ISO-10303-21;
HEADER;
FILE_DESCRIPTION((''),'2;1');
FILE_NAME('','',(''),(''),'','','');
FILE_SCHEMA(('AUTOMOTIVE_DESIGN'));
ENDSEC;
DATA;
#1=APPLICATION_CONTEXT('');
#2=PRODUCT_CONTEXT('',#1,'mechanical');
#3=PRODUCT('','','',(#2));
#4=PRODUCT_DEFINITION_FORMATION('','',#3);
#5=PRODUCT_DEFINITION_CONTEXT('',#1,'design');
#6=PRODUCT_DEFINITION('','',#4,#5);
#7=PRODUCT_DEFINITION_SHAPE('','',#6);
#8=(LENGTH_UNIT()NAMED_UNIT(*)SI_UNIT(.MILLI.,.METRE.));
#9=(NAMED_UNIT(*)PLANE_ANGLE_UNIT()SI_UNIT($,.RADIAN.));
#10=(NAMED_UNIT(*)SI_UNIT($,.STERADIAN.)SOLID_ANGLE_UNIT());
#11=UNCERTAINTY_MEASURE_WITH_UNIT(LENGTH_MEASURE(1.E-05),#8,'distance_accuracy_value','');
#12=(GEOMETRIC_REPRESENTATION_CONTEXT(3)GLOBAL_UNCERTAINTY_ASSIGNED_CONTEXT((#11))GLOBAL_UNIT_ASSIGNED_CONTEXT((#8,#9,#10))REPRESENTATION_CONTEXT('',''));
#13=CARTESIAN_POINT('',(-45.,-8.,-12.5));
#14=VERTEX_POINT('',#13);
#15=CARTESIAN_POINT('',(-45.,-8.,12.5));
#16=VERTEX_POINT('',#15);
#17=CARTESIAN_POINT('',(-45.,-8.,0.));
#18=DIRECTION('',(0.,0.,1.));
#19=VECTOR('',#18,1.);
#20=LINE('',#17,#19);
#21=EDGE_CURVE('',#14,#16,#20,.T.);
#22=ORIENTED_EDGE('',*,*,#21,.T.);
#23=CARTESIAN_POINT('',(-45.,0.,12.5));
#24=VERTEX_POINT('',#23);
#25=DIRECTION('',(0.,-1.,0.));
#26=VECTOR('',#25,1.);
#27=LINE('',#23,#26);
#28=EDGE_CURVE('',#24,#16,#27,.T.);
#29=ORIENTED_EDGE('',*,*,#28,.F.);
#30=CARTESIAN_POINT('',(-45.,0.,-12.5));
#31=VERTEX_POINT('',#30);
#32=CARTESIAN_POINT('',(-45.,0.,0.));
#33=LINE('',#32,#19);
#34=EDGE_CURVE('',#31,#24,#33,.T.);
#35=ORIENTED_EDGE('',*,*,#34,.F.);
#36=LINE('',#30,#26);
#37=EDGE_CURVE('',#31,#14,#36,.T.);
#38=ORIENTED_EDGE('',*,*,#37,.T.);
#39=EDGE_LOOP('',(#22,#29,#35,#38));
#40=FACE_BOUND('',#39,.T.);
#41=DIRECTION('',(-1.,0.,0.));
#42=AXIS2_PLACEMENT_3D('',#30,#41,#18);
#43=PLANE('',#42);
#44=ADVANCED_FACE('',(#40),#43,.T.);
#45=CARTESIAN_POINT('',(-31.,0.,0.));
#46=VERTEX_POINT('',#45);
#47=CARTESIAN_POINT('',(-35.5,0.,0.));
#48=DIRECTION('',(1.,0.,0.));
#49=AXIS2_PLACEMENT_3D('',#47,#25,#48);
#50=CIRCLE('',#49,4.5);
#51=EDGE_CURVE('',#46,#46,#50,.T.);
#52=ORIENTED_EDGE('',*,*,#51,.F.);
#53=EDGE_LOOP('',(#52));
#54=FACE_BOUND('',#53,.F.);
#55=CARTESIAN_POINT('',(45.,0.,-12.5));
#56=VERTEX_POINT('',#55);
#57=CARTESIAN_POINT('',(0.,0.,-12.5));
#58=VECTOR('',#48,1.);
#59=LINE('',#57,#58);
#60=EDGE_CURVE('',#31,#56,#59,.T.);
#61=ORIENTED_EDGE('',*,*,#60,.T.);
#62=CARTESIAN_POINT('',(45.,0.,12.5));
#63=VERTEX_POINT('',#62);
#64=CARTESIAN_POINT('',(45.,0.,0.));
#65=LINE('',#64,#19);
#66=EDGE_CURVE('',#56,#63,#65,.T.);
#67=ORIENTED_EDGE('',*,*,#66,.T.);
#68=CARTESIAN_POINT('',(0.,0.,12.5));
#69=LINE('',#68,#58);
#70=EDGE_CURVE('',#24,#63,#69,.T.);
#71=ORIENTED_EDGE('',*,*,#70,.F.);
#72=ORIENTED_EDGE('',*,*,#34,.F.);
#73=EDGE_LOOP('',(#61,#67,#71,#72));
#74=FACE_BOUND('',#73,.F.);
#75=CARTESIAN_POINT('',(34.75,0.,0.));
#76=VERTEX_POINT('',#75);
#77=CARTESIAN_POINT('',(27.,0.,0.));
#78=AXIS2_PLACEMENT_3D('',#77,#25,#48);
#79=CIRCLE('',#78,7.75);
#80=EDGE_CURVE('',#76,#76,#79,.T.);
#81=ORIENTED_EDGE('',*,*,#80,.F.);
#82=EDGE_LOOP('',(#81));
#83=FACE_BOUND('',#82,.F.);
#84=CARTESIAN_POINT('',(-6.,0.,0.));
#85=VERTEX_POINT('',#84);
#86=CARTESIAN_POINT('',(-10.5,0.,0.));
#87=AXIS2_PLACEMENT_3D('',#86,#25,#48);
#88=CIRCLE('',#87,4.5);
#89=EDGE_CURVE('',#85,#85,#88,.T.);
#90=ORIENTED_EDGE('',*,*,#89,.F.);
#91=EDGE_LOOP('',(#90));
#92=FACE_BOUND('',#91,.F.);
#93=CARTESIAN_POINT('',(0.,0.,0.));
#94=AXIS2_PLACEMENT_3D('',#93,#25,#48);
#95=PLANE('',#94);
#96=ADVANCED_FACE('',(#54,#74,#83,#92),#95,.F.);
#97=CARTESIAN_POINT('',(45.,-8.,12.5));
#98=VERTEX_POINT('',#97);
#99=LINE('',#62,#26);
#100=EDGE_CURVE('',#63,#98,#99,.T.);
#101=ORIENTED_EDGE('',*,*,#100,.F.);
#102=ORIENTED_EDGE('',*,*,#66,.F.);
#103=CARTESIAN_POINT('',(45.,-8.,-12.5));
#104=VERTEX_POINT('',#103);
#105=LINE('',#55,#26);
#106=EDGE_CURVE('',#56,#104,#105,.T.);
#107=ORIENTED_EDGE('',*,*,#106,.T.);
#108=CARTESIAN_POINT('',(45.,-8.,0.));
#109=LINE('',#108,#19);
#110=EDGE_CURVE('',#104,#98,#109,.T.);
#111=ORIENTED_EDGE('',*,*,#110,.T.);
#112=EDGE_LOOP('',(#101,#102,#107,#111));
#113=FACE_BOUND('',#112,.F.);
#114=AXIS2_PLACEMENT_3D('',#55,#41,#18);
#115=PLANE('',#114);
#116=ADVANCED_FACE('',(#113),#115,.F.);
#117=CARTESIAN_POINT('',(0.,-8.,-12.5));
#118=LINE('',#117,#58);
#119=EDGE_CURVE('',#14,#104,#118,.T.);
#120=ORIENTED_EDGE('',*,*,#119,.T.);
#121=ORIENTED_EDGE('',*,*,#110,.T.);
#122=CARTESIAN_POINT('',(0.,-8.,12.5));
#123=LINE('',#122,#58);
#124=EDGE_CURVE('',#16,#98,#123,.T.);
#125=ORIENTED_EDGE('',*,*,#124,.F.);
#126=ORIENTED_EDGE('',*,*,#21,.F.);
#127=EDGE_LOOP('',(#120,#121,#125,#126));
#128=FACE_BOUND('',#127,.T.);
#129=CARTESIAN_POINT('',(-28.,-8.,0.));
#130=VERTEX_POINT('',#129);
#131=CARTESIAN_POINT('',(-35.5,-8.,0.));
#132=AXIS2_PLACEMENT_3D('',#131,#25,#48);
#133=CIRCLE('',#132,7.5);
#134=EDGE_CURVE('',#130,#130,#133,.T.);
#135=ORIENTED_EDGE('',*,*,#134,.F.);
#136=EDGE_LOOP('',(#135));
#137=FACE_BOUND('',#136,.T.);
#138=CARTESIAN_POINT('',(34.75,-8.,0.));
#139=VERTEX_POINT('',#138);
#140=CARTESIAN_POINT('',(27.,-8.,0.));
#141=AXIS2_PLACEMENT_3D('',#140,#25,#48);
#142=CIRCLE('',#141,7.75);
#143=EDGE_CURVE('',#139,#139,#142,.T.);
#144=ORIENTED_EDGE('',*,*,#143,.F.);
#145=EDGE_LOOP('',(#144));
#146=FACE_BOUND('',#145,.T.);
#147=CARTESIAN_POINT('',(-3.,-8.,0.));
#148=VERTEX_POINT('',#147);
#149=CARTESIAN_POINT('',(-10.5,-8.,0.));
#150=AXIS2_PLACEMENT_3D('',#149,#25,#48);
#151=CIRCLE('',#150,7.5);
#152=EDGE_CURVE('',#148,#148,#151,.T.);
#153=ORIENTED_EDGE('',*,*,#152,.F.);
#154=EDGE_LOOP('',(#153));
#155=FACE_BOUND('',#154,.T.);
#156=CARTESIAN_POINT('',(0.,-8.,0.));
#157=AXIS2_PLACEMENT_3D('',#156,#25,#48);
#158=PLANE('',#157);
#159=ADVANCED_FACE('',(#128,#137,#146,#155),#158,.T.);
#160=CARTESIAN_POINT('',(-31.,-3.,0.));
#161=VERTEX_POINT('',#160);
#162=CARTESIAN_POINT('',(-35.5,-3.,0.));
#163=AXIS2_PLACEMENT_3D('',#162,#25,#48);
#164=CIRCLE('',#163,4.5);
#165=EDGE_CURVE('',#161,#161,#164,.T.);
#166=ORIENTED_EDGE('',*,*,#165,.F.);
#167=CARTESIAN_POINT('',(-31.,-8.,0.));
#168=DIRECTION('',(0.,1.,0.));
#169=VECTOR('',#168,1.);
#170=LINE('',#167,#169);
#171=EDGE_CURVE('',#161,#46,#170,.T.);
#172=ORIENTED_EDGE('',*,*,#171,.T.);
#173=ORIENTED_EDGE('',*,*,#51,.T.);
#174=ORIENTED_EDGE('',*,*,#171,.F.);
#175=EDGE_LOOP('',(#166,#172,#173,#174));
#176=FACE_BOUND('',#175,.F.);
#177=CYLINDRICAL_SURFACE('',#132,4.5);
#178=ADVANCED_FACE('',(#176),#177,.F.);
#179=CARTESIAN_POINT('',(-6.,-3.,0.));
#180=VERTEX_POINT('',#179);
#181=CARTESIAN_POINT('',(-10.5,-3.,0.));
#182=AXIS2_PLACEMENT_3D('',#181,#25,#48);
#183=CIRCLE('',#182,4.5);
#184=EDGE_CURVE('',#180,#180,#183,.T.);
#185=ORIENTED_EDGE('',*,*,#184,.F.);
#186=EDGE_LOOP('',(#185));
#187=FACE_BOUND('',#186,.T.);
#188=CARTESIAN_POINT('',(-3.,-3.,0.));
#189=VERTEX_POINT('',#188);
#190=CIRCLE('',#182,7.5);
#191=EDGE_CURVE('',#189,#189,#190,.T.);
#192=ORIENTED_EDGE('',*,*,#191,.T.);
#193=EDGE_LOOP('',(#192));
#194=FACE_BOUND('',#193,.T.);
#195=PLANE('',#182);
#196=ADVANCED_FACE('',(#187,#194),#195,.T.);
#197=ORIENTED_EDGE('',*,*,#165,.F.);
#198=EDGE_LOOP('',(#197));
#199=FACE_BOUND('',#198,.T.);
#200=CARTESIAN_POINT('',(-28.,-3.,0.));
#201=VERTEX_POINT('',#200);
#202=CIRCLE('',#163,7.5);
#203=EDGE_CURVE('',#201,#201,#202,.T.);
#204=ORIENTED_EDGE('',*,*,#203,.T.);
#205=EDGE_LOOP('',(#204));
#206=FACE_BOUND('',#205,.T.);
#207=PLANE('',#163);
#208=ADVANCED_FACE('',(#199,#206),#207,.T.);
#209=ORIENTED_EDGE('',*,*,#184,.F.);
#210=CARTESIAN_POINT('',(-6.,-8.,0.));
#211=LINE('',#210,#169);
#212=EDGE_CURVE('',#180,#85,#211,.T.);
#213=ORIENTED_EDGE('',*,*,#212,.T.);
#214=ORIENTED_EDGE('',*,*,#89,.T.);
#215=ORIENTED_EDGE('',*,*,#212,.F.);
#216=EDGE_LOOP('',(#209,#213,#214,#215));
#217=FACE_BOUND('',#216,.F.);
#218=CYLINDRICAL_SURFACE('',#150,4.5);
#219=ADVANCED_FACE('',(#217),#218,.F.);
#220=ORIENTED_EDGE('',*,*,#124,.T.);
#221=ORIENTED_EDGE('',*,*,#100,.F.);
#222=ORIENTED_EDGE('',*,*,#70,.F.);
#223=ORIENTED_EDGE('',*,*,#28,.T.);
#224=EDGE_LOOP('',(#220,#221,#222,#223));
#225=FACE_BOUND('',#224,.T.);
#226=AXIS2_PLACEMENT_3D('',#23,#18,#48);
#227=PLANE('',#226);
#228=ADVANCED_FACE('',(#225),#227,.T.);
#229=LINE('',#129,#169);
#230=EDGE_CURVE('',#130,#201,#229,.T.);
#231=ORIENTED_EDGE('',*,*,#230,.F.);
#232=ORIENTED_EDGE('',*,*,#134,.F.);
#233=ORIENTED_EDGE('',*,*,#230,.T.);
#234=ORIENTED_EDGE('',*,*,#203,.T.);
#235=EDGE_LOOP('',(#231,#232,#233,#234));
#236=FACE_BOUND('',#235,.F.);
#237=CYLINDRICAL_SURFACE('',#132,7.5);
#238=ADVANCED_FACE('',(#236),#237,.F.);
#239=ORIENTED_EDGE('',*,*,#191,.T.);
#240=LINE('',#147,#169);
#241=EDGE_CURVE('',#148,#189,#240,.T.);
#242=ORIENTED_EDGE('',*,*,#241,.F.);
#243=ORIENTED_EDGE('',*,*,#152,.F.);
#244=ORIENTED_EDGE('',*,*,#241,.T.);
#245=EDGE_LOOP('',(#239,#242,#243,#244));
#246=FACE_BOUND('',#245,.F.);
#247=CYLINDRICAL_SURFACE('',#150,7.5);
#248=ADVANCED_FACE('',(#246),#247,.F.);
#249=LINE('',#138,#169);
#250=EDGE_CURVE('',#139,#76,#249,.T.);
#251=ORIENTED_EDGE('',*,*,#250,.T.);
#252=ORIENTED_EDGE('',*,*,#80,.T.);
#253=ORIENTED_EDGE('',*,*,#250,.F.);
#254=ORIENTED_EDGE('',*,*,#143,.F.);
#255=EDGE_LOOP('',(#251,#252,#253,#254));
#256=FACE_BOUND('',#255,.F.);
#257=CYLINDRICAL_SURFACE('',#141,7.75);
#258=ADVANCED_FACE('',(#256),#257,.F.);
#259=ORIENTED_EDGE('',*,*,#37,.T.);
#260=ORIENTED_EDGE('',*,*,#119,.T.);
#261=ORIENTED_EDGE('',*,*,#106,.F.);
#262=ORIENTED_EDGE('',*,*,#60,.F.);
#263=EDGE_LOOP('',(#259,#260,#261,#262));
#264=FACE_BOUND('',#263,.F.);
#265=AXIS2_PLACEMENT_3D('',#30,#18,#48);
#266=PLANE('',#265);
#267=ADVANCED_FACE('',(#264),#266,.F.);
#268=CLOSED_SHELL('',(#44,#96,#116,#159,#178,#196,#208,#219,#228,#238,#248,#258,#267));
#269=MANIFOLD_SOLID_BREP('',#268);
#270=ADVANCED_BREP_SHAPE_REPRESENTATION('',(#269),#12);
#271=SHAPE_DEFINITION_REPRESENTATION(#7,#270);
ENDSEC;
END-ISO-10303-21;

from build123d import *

# Parameters (mm, degrees)
F0_W     = 90
F0_H     = 25
F1_DEPTH = 8
F2_R     = 4.5
F2_R_2   = 7.75
F3_DEPTH = 8
F2_R_3   = 7.5
F4_DEPTH = 5


with BuildPart() as f1:
    # F0 (on Front) → F1 (new body)
    with BuildSketch(Plane.XZ):
        Rectangle(F0_W, F0_H)
    extrude(amount=F1_DEPTH)

    # F2 (on face) → F3 (cut, through all)
    with BuildSketch(Plane.XZ.offset(8)):
        with Locations((-35.5, 0)):
            Circle(F2_R)
        with Locations((-10.5, 0)):
            Circle(F2_R)
        with Locations((27, 0)):
            Circle(F2_R_2)
    extrude(amount=-F3_DEPTH, mode=Mode.SUBTRACT)

    # F2 (on face) → F4 (cut)
    with BuildSketch(Plane.XZ.offset(8)):
        with Locations((-35.5, 0)):
            Circle(F2_R_3)
        with Locations((-35.5, 0)):
            Circle(F2_R, mode=Mode.SUBTRACT)
        with Locations((-10.5, 0)):
            Circle(F2_R_3)
        with Locations((-10.5, 0)):
            Circle(F2_R, mode=Mode.SUBTRACT)
        with Locations((27, 0)):
            Circle(F2_R_2)
    extrude(amount=-F4_DEPTH, mode=Mode.SUBTRACT)


solid = f1.part
